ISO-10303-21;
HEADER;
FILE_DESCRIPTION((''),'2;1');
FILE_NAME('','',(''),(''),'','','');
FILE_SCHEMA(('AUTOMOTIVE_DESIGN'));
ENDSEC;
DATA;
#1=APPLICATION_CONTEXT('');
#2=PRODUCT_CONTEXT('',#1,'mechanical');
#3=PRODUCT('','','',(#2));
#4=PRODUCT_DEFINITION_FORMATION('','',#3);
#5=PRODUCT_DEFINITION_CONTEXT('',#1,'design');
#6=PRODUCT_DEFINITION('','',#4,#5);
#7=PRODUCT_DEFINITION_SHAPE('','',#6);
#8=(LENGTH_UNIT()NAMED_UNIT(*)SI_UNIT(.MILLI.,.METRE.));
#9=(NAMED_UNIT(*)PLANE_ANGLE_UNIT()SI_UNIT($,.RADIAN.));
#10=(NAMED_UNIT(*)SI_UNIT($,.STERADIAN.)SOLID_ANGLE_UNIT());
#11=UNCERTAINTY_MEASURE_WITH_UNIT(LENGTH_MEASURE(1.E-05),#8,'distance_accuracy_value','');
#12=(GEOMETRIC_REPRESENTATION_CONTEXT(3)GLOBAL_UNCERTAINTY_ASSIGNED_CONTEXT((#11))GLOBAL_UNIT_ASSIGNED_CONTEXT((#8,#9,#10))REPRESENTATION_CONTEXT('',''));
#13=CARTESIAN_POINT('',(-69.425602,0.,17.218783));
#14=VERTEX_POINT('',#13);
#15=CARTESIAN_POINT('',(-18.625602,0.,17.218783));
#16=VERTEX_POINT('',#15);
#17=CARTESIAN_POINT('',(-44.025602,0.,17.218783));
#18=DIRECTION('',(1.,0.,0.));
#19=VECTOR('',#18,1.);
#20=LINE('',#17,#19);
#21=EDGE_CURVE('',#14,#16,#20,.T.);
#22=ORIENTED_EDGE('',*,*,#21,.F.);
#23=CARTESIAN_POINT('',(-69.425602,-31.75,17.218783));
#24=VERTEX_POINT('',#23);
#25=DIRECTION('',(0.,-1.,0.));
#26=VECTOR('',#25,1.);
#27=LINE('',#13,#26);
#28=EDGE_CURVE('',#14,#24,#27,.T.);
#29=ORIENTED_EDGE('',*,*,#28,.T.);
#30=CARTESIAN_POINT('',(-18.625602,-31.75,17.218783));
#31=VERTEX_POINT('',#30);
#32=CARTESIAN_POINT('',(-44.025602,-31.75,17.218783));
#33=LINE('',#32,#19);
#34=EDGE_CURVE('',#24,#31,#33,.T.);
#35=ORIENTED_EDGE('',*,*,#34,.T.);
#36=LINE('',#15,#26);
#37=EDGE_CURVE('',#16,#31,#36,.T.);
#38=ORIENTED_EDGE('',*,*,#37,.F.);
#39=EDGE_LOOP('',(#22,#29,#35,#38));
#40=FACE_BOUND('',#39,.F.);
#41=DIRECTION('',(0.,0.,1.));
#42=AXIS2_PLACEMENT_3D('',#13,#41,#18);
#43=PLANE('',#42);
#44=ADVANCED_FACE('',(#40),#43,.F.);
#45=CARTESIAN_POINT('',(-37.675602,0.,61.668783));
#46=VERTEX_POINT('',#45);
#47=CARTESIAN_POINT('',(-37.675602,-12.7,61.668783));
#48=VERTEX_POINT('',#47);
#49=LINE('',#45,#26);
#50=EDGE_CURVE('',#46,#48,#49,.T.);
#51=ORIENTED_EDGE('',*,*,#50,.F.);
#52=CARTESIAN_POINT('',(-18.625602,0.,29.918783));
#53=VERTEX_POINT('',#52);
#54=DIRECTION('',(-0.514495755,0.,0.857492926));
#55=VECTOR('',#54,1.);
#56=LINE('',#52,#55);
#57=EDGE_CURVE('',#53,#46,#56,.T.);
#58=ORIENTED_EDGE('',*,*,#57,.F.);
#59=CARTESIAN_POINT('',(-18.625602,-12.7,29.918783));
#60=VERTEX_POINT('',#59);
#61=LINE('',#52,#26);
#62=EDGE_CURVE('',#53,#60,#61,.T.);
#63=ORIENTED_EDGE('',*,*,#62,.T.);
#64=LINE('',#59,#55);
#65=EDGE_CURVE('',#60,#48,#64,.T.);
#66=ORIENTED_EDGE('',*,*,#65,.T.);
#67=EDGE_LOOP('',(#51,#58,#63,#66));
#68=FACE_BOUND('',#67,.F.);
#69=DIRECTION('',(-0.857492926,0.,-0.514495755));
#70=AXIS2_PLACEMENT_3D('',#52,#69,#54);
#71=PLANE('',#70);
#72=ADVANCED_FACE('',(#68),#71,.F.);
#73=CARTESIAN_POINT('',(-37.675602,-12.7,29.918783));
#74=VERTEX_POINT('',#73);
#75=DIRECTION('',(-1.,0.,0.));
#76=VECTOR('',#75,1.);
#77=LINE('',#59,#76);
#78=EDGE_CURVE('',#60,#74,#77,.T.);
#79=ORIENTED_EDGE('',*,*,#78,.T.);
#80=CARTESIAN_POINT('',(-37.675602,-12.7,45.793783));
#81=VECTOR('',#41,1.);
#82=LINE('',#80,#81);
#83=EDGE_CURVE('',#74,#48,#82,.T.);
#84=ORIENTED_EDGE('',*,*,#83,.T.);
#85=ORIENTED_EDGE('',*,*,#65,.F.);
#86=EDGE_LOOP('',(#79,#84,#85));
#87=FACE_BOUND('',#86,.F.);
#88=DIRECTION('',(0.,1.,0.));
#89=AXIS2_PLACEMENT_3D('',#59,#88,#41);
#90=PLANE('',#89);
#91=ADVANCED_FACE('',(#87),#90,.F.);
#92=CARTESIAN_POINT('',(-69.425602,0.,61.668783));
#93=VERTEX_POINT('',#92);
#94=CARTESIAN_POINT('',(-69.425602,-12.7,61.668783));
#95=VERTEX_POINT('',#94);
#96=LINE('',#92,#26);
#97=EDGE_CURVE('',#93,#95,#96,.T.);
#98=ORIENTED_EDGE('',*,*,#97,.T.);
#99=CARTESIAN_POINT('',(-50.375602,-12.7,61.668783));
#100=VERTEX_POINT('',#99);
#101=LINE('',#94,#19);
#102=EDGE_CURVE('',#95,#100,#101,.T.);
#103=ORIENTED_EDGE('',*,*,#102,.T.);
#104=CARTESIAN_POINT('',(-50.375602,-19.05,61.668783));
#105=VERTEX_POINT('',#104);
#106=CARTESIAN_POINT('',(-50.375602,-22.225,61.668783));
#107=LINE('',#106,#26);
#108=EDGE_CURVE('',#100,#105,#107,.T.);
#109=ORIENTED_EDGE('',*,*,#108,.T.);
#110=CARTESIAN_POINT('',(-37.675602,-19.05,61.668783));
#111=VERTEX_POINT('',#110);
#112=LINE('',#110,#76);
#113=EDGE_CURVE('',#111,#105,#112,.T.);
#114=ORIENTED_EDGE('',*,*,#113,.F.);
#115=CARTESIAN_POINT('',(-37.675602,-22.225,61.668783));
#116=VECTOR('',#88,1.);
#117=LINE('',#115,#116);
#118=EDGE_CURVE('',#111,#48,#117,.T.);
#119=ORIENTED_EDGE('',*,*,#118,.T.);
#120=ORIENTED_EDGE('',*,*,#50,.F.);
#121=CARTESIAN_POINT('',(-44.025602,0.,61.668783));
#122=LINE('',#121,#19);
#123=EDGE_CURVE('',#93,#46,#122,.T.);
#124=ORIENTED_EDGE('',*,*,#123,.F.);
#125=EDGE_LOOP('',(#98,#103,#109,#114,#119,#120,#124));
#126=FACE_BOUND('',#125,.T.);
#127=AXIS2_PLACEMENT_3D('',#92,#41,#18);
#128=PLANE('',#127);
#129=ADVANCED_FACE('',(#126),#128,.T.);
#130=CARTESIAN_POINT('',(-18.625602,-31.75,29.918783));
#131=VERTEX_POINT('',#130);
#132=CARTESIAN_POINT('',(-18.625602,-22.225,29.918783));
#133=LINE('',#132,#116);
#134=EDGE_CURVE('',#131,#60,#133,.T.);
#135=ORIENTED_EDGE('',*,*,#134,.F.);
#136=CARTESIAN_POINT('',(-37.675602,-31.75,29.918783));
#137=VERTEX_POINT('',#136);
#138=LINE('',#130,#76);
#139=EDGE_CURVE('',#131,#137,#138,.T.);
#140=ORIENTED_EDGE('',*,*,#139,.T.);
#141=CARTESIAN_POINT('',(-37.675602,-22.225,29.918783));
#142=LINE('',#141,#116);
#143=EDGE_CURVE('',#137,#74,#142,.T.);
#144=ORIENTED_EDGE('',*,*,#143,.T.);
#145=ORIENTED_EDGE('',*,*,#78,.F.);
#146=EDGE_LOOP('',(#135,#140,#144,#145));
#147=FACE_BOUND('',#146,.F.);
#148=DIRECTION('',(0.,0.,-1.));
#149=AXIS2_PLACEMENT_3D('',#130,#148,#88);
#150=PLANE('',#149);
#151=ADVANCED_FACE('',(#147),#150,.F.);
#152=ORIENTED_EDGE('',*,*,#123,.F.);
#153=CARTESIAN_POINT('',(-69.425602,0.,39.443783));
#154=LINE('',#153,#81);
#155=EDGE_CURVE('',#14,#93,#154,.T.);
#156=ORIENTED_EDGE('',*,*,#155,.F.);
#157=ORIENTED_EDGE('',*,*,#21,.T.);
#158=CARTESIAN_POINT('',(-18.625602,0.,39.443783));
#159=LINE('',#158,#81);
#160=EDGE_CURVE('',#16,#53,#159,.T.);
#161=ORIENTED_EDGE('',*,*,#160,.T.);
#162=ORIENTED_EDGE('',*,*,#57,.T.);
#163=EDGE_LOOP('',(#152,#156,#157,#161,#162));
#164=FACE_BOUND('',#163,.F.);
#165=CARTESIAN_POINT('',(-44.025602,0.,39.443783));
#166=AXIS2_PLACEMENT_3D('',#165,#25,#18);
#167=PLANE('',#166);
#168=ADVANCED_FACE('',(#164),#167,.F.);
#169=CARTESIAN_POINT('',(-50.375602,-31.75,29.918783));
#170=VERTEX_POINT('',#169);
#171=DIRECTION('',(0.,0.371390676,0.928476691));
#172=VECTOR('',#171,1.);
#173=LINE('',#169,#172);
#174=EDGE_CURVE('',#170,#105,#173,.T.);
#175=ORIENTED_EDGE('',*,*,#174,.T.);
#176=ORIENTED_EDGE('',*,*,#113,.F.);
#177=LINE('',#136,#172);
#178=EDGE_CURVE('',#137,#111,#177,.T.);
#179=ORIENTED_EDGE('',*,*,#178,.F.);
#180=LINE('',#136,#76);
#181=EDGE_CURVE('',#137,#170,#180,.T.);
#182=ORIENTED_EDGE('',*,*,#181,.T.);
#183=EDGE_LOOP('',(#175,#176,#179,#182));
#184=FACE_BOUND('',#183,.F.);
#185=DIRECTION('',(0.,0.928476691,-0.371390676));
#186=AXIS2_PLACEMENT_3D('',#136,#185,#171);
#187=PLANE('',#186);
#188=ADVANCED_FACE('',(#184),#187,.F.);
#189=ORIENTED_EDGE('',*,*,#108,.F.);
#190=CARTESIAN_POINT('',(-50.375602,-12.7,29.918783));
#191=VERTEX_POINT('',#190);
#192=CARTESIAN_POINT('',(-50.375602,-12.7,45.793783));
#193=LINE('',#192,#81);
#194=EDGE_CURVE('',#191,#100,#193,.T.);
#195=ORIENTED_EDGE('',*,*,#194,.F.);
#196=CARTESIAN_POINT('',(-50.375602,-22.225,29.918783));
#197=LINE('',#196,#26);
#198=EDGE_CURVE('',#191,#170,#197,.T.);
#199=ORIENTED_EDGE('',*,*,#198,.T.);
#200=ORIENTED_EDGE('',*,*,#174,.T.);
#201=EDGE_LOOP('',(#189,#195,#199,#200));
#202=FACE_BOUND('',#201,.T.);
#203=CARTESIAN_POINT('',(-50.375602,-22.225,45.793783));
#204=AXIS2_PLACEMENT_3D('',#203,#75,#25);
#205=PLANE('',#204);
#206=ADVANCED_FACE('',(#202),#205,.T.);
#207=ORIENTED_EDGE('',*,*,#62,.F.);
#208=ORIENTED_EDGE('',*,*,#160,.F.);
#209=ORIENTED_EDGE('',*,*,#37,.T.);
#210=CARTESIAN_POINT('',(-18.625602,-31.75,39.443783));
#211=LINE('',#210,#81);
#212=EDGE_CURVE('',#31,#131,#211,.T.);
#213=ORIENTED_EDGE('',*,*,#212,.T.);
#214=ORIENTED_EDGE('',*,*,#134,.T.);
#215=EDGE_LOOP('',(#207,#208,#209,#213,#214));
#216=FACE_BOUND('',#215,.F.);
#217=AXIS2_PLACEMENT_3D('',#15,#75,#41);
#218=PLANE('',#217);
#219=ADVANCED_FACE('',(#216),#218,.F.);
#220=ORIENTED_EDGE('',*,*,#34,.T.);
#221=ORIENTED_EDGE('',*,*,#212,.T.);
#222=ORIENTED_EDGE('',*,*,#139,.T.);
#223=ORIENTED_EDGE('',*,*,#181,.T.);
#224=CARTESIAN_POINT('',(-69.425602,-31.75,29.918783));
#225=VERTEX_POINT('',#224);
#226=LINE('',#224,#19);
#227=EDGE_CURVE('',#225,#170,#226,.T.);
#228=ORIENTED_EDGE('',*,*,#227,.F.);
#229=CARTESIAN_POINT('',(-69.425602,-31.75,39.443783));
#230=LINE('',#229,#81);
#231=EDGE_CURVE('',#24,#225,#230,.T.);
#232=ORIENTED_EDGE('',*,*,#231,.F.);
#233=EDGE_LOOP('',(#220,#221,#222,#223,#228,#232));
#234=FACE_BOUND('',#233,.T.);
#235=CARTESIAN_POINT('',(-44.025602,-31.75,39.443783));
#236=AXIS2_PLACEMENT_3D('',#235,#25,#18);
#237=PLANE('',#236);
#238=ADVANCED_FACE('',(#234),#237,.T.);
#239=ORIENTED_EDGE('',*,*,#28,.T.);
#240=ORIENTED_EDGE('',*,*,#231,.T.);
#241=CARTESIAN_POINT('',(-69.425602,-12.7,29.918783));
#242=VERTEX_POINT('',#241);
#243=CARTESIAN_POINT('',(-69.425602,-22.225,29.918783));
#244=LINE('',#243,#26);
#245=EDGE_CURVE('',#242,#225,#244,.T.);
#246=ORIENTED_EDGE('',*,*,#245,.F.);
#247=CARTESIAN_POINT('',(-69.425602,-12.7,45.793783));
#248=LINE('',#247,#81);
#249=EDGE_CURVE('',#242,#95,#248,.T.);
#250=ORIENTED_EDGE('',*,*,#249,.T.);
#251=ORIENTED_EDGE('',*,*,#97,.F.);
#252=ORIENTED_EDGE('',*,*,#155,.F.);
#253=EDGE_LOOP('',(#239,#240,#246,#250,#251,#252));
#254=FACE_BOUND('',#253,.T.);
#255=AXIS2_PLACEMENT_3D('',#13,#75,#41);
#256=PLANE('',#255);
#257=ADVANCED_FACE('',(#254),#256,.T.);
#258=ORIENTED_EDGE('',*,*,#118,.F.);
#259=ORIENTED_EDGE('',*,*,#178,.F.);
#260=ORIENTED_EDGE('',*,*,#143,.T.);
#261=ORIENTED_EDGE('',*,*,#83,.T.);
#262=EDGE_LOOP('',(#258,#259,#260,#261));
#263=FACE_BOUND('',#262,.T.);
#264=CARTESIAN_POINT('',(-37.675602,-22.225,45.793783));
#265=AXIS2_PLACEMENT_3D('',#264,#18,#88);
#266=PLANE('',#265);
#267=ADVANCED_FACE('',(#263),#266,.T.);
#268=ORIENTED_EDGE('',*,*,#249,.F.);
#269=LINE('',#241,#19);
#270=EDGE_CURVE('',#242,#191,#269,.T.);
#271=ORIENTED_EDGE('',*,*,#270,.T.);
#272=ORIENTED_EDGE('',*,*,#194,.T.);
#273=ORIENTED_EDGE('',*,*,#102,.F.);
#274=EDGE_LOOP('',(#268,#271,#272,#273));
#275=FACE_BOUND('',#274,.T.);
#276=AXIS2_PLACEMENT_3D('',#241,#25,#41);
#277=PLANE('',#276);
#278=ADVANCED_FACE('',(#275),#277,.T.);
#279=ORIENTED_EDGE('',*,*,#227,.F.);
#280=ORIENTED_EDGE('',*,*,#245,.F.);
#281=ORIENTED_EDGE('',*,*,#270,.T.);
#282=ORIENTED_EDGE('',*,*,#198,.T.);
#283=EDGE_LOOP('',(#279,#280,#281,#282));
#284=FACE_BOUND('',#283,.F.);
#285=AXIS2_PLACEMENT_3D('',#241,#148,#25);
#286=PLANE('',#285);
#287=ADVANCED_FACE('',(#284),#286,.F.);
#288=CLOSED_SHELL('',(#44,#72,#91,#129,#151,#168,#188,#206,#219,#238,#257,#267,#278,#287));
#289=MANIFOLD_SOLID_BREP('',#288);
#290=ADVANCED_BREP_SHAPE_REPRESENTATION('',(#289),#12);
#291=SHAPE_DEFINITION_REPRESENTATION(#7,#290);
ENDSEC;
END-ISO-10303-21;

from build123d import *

# Parameters (mm, degrees)
F0_W     = 50.8
F0_H     = 44.45
F1_DEPTH = 31.75
F2_W     = 19.05
F2_H     = 31.75
F3_DEPTH = 19.05
F5_DEPTH = 12.7
F7_DEPTH = 12.7
F8_W     = 19.05
F8_H     = 31.75
F9_DEPTH = 19.05


with BuildPart() as f1:
    # F0 (on Front) → F1 (new body)
    with BuildSketch(Plane.XZ):
        with Locations((-44.0256018192, 39.4437830464)):
            Rectangle(F0_W, F0_H)
    extrude(amount=F1_DEPTH)

    # F2 (on face) → F3 (cut)
    with BuildSketch(Plane.YZ.offset(-18.6256018192)):
        with Locations((-22.225, 45.7937830464)):
            Rectangle(F2_W, F2_H)
    extrude(amount=-F3_DEPTH, mode=Mode.SUBTRACT)

    # F4 (on face) → F5 (cut)
    with BuildSketch(Plane(origin=(0, 0, 0), x_dir=(-1, 0, 0), z_dir=(0, 1, 0))):
        Polygon((18.6256018192, 29.9187830464), (37.6756018192, 61.6687830464), (18.6256018192, 61.6687830464), align=None)
    extrude(amount=-F5_DEPTH, mode=Mode.SUBTRACT)

    # F6 (on face) → F7 (cut)
    with BuildSketch(Plane.YZ.offset(-37.6756018192)):
        Polygon((-31.75, 29.9187830464), (-19.05, 61.6687830464), (-31.75, 61.6687830464), align=None)
    extrude(amount=-F7_DEPTH, mode=Mode.SUBTRACT)

    # F8 (on face) → F9 (cut)
    with BuildSketch(Plane(origin=(-69.4256018192, 0, 0), x_dir=(0, -1, 0), z_dir=(-1, 0, 0))):
        with Locations((22.225, 45.7937830464)):
            Rectangle(F8_W, F8_H)
    extrude(amount=-F9_DEPTH, mode=Mode.SUBTRACT)


solid = f1.part
